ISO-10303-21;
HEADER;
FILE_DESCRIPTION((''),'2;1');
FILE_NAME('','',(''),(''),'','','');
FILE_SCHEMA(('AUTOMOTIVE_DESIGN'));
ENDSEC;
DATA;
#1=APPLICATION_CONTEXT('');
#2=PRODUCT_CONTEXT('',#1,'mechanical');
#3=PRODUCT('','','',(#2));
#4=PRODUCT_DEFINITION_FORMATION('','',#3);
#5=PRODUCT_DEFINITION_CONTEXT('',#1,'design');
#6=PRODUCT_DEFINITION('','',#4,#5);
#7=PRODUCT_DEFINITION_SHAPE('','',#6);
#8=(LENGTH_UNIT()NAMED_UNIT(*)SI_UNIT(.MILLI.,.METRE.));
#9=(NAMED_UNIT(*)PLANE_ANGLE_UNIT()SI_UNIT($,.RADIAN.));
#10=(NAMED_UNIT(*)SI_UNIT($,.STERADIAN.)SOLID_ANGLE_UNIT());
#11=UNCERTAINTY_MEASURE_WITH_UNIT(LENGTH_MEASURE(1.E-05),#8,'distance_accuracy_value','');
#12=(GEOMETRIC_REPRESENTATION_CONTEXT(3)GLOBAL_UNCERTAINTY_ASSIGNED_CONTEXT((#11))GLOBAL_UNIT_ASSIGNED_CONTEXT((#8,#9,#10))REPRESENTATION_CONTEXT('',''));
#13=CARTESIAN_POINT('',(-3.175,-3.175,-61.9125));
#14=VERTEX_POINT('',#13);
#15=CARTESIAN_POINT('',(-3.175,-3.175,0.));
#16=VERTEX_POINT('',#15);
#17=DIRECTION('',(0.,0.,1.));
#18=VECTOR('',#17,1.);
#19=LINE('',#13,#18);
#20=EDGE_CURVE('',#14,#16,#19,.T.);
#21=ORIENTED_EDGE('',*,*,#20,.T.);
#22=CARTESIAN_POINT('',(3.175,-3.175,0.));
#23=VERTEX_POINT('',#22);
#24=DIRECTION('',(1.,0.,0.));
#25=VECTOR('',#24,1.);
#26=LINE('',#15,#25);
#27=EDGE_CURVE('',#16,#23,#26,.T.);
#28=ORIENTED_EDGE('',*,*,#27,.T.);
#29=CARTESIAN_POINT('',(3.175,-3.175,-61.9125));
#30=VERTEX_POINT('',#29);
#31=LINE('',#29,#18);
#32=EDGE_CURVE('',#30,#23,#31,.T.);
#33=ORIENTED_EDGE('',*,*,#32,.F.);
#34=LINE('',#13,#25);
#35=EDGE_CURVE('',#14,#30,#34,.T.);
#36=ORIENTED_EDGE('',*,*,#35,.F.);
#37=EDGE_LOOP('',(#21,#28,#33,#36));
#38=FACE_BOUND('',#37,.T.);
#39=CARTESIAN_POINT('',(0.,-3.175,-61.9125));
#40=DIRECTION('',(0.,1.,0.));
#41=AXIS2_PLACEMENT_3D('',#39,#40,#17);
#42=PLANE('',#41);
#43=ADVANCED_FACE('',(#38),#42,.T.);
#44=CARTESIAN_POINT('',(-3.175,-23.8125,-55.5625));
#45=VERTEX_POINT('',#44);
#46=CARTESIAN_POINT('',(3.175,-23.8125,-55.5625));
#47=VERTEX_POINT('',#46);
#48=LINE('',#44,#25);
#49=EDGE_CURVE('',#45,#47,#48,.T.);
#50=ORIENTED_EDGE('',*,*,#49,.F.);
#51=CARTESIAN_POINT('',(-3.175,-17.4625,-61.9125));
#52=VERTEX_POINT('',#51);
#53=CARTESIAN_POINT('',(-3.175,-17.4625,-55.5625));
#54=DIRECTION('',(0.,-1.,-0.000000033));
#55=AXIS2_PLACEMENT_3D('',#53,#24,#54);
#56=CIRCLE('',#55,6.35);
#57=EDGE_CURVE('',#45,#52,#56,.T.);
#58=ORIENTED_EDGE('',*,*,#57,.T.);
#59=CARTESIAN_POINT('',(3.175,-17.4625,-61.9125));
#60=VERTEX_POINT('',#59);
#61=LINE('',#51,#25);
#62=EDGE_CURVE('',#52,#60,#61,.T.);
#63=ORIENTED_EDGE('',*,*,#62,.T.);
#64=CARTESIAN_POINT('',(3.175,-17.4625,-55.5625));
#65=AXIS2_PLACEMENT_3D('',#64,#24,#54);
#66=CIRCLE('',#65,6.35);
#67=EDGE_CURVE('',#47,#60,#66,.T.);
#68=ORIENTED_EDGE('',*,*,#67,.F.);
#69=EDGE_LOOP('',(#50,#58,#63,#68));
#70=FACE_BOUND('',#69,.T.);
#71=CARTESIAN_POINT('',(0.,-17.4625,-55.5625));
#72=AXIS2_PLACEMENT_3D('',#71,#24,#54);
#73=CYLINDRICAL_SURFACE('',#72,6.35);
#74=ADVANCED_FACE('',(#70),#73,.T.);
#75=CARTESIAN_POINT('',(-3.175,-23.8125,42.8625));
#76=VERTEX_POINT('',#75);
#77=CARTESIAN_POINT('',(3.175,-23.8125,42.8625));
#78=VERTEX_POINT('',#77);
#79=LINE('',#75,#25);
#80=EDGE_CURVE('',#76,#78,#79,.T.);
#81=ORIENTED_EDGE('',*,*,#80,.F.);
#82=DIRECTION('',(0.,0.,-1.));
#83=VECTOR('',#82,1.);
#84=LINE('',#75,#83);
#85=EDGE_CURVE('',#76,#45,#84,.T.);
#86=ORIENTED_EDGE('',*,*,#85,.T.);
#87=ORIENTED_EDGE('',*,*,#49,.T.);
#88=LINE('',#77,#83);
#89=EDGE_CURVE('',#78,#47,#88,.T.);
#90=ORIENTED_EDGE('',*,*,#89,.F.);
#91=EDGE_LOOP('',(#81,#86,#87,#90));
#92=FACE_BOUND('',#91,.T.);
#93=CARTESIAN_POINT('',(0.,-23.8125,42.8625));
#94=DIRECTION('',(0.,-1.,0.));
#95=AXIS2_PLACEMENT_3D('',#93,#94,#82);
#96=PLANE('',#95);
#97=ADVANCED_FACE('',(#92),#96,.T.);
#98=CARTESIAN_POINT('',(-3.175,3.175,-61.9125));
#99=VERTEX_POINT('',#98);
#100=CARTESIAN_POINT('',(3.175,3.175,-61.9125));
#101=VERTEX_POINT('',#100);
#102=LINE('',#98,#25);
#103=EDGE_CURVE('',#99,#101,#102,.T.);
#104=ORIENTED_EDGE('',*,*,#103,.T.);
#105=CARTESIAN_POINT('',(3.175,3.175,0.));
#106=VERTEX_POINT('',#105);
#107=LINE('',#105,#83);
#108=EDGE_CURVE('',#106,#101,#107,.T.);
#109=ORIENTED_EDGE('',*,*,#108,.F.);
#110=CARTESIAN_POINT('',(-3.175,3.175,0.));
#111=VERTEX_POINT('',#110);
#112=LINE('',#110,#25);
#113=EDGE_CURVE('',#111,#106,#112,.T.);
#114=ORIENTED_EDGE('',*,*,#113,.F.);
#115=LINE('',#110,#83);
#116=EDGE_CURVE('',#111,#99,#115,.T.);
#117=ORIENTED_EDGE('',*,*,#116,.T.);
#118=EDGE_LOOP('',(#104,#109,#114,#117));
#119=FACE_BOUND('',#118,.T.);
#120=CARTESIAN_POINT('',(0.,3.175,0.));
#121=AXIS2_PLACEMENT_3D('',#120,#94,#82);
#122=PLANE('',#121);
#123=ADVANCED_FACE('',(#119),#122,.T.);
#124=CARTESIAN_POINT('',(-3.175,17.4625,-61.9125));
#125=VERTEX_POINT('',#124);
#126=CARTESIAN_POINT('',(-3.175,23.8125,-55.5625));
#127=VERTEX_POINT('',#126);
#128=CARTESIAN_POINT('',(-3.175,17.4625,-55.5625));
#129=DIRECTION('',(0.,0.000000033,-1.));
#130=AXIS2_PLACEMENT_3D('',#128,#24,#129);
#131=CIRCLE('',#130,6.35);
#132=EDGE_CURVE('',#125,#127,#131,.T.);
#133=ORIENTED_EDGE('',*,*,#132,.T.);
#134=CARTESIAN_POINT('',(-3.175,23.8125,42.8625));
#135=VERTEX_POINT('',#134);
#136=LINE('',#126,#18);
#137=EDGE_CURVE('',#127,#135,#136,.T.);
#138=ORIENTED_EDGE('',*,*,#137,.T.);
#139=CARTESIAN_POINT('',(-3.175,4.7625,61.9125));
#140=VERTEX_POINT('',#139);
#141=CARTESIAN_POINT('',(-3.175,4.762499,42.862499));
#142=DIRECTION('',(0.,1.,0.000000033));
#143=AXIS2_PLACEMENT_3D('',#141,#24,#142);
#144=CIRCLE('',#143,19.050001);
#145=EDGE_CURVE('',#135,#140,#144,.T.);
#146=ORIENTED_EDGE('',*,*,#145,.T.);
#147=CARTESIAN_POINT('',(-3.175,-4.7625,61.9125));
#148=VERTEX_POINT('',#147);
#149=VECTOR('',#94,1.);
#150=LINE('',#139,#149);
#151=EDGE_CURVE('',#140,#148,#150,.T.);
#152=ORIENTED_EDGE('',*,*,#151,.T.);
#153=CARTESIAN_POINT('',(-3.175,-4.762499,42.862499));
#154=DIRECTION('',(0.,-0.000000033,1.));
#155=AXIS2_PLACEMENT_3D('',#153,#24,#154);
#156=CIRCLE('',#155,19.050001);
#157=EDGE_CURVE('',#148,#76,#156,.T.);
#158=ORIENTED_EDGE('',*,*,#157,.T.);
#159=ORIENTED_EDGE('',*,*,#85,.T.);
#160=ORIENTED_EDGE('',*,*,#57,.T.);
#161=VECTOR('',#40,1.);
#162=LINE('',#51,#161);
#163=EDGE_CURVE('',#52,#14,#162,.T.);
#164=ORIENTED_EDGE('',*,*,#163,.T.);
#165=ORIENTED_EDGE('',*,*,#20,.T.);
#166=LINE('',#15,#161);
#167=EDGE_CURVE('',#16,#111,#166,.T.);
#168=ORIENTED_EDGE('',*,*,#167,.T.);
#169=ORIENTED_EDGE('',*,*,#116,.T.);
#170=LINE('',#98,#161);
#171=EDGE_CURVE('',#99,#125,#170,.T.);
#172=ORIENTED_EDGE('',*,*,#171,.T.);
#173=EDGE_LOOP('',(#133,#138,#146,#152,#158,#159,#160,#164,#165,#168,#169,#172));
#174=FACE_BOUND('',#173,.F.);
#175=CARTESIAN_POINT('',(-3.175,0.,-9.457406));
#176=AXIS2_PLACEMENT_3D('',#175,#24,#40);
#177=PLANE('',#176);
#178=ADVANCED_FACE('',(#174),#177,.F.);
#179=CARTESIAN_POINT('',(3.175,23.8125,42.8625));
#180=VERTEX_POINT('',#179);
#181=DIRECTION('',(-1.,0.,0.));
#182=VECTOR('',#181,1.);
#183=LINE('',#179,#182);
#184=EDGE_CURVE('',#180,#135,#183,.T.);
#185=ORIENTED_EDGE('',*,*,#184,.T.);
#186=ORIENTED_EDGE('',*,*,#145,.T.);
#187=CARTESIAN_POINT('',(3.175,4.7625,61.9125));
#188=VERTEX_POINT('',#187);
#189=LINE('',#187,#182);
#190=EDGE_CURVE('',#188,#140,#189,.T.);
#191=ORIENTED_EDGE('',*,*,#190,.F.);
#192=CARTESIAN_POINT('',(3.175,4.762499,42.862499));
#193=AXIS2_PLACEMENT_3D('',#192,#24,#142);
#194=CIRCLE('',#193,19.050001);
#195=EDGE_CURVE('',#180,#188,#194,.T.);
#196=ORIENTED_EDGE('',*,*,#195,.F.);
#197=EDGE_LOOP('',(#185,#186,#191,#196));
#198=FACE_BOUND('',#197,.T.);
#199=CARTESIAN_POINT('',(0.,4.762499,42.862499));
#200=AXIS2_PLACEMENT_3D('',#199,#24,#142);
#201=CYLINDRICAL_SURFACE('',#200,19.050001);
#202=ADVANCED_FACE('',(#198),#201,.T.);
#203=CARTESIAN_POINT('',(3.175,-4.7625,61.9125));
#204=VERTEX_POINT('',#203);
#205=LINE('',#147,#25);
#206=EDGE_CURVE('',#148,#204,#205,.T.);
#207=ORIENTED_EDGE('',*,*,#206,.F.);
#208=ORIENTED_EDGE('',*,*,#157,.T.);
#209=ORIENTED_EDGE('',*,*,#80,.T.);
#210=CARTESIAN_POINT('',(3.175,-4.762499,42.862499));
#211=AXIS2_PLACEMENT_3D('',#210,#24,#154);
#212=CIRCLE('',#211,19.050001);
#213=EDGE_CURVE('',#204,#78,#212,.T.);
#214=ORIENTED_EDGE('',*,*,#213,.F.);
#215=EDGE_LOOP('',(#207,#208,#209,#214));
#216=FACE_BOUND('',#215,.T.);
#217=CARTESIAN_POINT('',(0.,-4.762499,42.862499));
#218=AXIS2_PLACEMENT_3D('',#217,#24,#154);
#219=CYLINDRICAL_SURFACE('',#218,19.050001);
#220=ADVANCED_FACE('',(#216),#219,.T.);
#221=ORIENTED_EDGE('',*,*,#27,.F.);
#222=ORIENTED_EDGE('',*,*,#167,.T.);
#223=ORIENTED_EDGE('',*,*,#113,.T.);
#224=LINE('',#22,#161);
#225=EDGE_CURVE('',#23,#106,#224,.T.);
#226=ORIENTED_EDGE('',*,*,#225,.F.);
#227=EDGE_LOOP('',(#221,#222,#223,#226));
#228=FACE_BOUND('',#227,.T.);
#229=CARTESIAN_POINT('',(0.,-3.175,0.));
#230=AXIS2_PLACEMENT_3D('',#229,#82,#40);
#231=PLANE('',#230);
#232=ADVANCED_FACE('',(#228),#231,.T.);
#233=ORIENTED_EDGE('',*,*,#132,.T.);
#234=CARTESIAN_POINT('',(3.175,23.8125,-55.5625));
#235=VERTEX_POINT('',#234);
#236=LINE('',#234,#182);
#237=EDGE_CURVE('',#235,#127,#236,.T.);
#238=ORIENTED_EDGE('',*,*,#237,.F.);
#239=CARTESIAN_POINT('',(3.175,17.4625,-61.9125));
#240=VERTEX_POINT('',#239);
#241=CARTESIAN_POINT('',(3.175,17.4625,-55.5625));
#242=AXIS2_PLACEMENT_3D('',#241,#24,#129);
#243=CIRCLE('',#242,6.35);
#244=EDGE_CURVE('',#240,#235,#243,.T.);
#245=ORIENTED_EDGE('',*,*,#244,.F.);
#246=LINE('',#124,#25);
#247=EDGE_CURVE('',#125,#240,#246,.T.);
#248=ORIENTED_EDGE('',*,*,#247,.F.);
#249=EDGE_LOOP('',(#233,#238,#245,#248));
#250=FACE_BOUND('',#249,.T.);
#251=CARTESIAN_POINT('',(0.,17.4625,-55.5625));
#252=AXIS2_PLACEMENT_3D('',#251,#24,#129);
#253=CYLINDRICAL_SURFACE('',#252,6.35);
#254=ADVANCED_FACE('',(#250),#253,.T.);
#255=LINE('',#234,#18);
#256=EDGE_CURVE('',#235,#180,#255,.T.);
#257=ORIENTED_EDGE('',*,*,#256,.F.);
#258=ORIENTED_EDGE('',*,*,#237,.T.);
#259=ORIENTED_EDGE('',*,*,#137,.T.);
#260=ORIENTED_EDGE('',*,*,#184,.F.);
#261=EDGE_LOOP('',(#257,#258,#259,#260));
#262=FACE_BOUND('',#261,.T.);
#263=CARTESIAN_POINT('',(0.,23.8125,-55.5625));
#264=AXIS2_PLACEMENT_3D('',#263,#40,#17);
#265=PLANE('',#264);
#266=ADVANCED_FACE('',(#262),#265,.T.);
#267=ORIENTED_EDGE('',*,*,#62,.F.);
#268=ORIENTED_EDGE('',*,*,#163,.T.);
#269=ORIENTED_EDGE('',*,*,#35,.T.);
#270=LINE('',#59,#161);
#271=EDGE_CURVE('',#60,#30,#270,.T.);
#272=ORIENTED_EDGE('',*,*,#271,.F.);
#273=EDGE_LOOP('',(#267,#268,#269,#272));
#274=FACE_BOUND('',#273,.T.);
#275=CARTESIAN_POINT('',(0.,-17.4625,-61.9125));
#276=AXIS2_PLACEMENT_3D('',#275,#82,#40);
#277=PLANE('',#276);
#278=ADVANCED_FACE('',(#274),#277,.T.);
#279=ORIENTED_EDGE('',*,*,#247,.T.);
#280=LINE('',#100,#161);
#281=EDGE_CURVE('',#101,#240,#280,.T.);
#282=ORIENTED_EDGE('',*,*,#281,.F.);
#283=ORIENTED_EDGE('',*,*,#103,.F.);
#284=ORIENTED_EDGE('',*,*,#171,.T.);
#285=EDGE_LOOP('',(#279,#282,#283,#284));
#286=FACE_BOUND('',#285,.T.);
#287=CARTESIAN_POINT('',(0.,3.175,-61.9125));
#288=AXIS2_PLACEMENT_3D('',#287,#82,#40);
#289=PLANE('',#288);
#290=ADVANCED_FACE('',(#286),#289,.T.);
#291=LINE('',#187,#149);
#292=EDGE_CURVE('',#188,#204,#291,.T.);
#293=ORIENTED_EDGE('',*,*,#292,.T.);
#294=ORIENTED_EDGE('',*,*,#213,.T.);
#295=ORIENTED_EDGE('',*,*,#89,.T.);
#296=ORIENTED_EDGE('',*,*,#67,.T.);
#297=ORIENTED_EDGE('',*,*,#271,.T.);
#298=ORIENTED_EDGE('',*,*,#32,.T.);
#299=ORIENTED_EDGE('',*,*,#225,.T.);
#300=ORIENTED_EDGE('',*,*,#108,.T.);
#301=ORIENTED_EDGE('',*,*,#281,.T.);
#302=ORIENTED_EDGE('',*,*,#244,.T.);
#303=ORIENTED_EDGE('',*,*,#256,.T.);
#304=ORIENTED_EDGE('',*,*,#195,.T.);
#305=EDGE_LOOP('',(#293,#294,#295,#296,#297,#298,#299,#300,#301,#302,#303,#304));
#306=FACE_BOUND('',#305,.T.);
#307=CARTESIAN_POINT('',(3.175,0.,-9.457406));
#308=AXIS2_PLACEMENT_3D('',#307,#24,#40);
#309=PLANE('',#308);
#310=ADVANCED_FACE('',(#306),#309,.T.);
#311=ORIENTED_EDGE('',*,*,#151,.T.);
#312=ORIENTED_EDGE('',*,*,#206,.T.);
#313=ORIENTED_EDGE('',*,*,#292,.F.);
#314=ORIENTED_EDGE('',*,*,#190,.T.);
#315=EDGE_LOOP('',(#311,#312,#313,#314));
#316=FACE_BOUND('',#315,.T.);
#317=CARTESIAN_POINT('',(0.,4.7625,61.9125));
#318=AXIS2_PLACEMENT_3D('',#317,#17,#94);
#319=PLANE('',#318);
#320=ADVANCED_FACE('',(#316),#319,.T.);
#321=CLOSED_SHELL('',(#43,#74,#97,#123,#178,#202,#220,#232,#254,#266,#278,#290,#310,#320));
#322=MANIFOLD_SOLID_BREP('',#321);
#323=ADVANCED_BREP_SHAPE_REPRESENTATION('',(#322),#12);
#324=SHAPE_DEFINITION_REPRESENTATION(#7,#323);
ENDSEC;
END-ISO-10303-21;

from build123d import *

# Parameters (mm, degrees)
F1_DEPTH = 3.175


with BuildPart() as f1:
    # F0 (on Right) → F1 (new body, symmetric)
    with BuildSketch(Plane.YZ):
        with BuildLine():
            Line((4.7625, 61.9125), (-4.7625, 61.9125))
            ThreePointArc((-4.7625, 61.9125), (-18.232884, 56.332884), (-23.8125, 42.8625))
            Line((-23.8125, 42.8625), (-23.8125, -55.5625))
            ThreePointArc((-23.8125, -55.5625), (-21.952628, -60.052628), (-17.4625, -61.9125))
            Line((-17.4625, -61.9125), (-3.175, -61.9125))
            Line((-3.175, -61.9125), (-3.175, 0))
            Line((-3.175, 0), (3.175, 0))
            Line((3.175, 0), (3.175, -61.9125))
            Line((3.175, -61.9125), (17.4625, -61.9125))
            ThreePointArc((17.4625, -61.9125), (21.952628, -60.052628), (23.8125, -55.5625))
            Line((23.8125, -55.5625), (23.8125, 42.8625))
            ThreePointArc((23.8125, 42.8625), (18.232884, 56.332884), (4.7625, 61.9125))
        make_face()
    extrude(amount=F1_DEPTH, both=True)


solid = f1.part
